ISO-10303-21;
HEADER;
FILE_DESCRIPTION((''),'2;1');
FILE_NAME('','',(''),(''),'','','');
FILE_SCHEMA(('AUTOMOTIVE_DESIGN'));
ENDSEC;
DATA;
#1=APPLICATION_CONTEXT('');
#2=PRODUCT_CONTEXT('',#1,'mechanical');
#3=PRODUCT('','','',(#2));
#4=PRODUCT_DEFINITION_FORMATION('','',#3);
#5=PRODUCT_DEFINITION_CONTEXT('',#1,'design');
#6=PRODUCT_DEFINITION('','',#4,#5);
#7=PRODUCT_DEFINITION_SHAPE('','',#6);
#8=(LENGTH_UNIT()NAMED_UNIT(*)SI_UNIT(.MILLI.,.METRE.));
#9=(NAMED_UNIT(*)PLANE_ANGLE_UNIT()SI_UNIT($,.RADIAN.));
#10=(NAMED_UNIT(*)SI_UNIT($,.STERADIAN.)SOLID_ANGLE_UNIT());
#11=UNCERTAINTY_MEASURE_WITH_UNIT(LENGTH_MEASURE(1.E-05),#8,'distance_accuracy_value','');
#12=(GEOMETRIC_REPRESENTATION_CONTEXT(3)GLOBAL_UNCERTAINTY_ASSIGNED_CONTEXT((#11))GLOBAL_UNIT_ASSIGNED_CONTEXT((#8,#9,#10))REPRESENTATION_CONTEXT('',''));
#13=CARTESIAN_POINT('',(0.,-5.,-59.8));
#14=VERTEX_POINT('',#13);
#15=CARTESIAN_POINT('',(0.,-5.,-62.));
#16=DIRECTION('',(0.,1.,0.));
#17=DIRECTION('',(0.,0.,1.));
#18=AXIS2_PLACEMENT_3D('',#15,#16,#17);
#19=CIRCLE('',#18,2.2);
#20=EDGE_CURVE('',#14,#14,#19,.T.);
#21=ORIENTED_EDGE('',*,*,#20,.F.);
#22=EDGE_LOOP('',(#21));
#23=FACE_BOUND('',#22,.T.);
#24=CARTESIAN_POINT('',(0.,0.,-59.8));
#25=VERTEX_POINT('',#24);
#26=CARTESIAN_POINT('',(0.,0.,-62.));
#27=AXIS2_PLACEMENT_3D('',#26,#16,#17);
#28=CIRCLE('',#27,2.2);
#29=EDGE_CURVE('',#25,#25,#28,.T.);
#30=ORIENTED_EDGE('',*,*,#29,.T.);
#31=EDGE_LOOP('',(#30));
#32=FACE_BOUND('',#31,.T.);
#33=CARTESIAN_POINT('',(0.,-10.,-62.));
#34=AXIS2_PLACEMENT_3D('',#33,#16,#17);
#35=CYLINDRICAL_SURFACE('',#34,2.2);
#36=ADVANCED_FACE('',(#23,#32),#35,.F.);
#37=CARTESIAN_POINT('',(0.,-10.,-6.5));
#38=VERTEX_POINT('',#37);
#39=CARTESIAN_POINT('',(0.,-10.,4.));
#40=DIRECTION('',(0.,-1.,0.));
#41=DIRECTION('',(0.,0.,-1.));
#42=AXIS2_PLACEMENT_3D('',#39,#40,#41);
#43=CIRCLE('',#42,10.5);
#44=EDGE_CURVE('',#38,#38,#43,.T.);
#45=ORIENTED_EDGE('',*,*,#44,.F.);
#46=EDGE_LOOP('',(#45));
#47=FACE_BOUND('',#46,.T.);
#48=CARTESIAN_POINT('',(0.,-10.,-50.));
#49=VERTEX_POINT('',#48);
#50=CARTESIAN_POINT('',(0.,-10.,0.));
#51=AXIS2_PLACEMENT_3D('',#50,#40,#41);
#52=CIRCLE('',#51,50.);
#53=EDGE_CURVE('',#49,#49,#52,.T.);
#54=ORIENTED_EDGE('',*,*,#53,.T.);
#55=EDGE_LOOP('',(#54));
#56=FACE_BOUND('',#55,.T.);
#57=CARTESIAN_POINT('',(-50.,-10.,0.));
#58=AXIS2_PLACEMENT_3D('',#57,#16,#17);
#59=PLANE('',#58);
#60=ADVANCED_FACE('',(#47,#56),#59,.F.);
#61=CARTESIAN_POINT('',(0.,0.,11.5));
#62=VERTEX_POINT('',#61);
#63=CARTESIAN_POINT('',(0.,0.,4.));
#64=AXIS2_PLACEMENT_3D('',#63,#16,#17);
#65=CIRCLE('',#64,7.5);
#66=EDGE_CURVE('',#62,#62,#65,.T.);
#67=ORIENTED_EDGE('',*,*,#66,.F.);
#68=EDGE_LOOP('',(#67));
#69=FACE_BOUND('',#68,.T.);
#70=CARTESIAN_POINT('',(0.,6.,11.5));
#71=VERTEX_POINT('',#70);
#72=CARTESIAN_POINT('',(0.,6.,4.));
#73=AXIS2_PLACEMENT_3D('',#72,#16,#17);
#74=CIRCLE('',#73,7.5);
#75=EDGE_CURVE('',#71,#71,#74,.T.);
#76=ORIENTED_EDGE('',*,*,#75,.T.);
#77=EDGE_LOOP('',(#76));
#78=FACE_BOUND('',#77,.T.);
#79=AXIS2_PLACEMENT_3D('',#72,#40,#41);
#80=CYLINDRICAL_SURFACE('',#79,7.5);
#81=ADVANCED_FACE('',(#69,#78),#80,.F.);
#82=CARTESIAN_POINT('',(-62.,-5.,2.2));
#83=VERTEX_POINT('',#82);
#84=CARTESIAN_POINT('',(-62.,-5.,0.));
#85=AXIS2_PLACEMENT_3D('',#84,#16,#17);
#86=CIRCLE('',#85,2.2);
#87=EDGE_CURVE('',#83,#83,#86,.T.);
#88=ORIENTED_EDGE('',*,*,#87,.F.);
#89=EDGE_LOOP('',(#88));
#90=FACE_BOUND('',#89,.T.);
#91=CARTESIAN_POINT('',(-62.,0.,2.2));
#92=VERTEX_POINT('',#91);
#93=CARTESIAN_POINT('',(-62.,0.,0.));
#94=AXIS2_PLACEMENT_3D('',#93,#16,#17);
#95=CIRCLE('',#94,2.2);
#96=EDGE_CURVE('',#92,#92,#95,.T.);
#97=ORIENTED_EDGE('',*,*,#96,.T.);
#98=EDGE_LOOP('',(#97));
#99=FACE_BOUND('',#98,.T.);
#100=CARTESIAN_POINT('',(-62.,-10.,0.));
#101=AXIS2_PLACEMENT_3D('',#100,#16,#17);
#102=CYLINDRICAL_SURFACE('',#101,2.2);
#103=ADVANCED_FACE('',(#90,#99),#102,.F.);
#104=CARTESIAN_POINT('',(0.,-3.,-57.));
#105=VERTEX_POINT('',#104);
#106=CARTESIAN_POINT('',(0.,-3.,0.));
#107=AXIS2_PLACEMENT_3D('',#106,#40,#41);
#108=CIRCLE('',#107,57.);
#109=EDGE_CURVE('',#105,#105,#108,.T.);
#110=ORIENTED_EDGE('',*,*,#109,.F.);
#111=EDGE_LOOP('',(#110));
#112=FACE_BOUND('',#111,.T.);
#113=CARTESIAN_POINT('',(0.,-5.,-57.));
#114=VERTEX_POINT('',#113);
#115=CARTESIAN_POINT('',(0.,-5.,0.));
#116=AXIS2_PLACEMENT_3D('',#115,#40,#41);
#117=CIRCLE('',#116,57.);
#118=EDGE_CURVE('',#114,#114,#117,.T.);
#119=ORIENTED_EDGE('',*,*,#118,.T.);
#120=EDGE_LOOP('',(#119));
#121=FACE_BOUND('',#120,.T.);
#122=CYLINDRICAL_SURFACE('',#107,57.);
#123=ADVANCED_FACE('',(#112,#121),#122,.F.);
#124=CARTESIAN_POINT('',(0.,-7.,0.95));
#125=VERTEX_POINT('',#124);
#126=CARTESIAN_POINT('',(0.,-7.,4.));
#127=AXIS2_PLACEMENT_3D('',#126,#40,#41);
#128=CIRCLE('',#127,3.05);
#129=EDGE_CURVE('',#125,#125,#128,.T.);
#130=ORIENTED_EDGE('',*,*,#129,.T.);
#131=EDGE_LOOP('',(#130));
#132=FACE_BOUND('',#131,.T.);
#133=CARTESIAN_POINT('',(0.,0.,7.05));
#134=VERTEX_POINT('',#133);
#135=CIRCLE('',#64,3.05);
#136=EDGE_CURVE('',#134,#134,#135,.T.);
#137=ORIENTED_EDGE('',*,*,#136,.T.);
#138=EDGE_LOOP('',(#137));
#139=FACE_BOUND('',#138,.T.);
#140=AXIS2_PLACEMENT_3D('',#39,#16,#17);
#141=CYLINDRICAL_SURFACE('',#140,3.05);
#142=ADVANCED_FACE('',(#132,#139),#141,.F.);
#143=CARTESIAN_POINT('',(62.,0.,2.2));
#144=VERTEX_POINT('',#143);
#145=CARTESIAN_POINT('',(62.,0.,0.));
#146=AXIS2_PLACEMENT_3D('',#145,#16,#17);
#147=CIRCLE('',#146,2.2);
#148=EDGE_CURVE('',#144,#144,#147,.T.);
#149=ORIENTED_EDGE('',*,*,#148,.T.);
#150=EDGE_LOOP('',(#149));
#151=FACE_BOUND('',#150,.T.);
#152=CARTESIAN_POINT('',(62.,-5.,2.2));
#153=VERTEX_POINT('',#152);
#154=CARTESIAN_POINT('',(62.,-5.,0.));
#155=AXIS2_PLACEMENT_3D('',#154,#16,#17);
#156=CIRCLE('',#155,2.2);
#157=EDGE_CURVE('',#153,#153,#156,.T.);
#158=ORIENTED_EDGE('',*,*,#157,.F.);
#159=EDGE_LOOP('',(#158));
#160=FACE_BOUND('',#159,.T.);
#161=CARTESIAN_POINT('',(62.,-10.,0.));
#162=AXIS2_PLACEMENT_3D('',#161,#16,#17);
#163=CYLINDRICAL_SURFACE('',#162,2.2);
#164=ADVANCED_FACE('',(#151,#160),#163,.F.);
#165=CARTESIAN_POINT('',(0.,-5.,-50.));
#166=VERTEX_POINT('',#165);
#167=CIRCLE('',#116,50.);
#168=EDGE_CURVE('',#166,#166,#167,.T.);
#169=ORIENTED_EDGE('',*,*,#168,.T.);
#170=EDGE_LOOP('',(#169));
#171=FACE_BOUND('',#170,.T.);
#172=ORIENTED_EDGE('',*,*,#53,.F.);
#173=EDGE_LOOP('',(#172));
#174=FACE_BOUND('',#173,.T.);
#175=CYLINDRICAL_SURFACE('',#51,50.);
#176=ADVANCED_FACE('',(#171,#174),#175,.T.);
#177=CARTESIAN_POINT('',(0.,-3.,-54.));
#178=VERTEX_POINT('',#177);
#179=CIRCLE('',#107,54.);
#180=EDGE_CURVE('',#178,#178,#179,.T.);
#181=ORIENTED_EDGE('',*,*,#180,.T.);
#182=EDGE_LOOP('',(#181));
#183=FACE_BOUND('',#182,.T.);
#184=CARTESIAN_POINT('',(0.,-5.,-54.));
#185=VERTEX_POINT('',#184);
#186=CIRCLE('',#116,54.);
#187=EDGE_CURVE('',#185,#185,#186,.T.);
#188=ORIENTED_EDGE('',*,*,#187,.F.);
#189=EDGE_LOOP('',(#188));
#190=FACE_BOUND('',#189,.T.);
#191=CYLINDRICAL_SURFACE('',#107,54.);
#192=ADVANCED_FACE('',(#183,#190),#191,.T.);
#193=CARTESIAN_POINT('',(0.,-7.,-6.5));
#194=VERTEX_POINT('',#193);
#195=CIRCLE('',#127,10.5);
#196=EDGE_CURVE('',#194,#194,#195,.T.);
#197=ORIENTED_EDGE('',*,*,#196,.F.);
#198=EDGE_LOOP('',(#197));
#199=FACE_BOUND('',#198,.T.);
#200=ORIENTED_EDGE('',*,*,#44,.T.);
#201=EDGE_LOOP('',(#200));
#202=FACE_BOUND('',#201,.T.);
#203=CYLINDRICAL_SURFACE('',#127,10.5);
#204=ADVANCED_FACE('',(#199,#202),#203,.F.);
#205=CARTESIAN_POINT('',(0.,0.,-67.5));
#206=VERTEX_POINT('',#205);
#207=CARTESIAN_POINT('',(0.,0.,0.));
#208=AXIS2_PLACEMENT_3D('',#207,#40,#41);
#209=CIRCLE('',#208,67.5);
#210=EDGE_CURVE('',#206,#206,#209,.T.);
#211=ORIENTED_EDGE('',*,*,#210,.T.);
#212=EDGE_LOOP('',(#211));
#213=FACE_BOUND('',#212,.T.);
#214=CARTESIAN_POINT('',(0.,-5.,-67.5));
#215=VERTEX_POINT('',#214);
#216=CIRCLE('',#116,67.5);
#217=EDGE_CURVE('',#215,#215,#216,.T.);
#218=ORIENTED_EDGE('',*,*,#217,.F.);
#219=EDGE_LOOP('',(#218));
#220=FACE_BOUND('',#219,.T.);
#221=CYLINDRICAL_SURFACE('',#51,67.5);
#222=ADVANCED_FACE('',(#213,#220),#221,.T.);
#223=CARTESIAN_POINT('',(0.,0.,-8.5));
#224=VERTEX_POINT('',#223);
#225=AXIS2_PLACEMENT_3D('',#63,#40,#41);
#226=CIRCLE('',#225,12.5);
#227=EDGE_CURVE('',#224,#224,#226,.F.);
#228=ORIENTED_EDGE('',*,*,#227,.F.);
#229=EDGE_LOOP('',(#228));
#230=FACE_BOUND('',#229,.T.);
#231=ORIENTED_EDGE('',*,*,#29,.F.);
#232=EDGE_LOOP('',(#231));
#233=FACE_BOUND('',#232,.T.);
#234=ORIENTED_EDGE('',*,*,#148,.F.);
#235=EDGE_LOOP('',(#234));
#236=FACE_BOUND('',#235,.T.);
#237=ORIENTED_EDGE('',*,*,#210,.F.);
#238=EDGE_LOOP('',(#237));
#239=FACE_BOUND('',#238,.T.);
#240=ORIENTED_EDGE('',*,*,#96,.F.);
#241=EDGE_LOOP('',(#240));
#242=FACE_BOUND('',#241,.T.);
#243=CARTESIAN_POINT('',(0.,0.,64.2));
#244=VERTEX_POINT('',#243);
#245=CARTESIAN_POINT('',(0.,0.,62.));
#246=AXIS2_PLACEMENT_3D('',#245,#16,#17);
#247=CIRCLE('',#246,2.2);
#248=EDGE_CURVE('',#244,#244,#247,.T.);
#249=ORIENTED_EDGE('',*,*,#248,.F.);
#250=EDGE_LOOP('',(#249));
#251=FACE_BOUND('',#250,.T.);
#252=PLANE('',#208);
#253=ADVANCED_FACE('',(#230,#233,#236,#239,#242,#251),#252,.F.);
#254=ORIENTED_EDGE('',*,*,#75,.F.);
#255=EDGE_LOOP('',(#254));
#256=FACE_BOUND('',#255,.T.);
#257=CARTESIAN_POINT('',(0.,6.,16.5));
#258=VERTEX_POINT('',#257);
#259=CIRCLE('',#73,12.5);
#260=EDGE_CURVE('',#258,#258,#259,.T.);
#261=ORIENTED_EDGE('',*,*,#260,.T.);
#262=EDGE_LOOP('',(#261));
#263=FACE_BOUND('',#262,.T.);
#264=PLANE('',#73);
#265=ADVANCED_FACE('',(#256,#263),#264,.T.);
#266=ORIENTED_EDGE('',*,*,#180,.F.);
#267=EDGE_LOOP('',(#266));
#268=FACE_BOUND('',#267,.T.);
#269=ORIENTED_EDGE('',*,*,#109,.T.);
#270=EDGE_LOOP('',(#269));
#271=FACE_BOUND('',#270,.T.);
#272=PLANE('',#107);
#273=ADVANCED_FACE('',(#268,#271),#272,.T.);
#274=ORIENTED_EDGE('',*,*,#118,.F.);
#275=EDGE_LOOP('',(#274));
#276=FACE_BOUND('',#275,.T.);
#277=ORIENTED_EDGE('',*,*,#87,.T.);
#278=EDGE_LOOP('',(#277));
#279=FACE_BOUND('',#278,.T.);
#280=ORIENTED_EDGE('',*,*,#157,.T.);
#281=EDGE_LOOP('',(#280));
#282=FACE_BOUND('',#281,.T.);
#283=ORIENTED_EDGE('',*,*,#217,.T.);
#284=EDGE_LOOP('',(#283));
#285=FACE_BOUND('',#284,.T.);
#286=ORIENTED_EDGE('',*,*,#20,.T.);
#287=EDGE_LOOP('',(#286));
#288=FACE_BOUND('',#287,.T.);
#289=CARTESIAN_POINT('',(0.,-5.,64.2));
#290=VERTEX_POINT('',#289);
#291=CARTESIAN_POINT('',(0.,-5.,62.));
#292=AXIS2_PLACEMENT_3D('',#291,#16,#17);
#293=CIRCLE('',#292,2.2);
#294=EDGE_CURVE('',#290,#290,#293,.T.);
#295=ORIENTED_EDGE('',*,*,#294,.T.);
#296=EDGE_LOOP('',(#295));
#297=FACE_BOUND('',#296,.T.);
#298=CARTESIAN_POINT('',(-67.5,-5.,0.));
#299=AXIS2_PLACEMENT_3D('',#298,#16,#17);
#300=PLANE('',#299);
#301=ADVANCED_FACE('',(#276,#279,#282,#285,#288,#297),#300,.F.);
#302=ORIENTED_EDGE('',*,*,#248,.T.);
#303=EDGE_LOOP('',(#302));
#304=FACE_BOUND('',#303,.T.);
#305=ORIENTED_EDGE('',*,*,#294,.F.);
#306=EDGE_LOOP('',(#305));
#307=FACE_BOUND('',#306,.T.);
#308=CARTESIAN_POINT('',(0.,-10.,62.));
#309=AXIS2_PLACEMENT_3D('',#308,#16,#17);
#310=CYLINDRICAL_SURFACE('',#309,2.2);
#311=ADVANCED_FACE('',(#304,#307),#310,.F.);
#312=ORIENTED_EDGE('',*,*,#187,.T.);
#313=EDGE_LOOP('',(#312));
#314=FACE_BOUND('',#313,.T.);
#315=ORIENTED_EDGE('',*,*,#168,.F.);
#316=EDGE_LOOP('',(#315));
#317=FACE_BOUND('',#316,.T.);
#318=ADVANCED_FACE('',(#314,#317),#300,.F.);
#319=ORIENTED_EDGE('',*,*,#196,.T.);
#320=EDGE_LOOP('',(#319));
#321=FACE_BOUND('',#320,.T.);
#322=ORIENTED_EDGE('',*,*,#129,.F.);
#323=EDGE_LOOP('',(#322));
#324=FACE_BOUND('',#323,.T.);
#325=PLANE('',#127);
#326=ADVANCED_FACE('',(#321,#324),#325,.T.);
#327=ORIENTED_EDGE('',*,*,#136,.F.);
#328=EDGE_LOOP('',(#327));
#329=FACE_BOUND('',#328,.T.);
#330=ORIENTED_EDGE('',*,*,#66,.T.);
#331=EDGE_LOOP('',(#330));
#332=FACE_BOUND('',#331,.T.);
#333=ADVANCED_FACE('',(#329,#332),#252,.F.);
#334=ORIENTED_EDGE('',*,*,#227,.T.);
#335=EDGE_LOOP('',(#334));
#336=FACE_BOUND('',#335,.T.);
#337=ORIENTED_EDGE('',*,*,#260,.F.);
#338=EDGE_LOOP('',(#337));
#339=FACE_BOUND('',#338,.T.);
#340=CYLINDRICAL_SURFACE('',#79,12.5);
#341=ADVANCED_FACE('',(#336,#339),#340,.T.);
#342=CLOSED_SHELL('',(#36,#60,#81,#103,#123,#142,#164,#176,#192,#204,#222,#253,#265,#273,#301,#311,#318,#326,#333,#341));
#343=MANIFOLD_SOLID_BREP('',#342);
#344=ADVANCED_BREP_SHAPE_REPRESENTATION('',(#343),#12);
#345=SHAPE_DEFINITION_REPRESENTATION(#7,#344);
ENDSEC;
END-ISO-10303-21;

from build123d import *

# Parameters (mm, degrees)
SKETCH2_R           = 12.5
SKETCH2_R_2         = 7.5
BOSS_EXTRUDE1_DEPTH = 6
SKETCH3_R           = 10.5
CUT_EXTRUDE1_DEPTH  = 3
SKETCH4_R           = 3.05
CUT_EXTRUDE2_DEPTH  = 11
SKETCH5_R           = 2.2
CUT_EXTRUDE3_DEPTH  = 11
SKETCH6_R           = 57
SKETCH6_R_2         = 54
CUT_EXTRUDE4_DEPTH  = 2


with BuildPart() as part:
    # Sketch1 → Revolve1 (revolve)
    with BuildSketch(Plane.XY):
        Polygon((0, 0), (-67.5, 0), (-67.5, -5), (-50, -5), (-50, -10), (0, -10), align=None)
    revolve(axis=Axis((0, -10, 0), (0, 1, 0)))

    # Sketch2 → Boss-Extrude1 (add)
    with BuildSketch(Plane(origin=(0, 0, 0), x_dir=(1, 0, 0), z_dir=(0, 1, 0))):
        with Locations((0, -4)):
            Circle(SKETCH2_R)
        with Locations((0, -4)):
            Circle(SKETCH2_R_2, mode=Mode.SUBTRACT)
    extrude(amount=BOSS_EXTRUDE1_DEPTH)

    # Sketch3 → Cut-Extrude1 (cut)
    with BuildSketch(Plane.XZ.offset(10)):
        with Locations((0, 4)):
            Circle(SKETCH3_R)
    extrude(amount=-CUT_EXTRUDE1_DEPTH, mode=Mode.SUBTRACT)

    # Sketch4 → Cut-Extrude2 (cut, through all)
    with BuildSketch(Plane(origin=(0, 0, 0), x_dir=(1, 0, 0), z_dir=(0, 1, 0))):
        with Locations((0, -4)):
            Circle(SKETCH4_R)
    extrude(amount=-CUT_EXTRUDE2_DEPTH, mode=Mode.SUBTRACT)

    # Sketch5 → Cut-Extrude3 (cut, through all)
    with BuildSketch(Plane(origin=(0, 0, 0), x_dir=(1, 0, 0), z_dir=(0, 1, 0))):
        with Locations((0, 62)):
            Circle(SKETCH5_R)
        with Locations((62, 0)):
            Circle(SKETCH5_R)
        with Locations((0, -62)):
            Circle(SKETCH5_R)
        with Locations((-62, 0)):
            Circle(SKETCH5_R)
    extrude(amount=-CUT_EXTRUDE3_DEPTH, mode=Mode.SUBTRACT)

    # Sketch6 → Cut-Extrude4 (cut)
    with BuildSketch(Plane.XZ.offset(5)):
        Circle(SKETCH6_R)
        Circle(SKETCH6_R_2, mode=Mode.SUBTRACT)
    extrude(amount=-CUT_EXTRUDE4_DEPTH, mode=Mode.SUBTRACT)


solid = part.part
